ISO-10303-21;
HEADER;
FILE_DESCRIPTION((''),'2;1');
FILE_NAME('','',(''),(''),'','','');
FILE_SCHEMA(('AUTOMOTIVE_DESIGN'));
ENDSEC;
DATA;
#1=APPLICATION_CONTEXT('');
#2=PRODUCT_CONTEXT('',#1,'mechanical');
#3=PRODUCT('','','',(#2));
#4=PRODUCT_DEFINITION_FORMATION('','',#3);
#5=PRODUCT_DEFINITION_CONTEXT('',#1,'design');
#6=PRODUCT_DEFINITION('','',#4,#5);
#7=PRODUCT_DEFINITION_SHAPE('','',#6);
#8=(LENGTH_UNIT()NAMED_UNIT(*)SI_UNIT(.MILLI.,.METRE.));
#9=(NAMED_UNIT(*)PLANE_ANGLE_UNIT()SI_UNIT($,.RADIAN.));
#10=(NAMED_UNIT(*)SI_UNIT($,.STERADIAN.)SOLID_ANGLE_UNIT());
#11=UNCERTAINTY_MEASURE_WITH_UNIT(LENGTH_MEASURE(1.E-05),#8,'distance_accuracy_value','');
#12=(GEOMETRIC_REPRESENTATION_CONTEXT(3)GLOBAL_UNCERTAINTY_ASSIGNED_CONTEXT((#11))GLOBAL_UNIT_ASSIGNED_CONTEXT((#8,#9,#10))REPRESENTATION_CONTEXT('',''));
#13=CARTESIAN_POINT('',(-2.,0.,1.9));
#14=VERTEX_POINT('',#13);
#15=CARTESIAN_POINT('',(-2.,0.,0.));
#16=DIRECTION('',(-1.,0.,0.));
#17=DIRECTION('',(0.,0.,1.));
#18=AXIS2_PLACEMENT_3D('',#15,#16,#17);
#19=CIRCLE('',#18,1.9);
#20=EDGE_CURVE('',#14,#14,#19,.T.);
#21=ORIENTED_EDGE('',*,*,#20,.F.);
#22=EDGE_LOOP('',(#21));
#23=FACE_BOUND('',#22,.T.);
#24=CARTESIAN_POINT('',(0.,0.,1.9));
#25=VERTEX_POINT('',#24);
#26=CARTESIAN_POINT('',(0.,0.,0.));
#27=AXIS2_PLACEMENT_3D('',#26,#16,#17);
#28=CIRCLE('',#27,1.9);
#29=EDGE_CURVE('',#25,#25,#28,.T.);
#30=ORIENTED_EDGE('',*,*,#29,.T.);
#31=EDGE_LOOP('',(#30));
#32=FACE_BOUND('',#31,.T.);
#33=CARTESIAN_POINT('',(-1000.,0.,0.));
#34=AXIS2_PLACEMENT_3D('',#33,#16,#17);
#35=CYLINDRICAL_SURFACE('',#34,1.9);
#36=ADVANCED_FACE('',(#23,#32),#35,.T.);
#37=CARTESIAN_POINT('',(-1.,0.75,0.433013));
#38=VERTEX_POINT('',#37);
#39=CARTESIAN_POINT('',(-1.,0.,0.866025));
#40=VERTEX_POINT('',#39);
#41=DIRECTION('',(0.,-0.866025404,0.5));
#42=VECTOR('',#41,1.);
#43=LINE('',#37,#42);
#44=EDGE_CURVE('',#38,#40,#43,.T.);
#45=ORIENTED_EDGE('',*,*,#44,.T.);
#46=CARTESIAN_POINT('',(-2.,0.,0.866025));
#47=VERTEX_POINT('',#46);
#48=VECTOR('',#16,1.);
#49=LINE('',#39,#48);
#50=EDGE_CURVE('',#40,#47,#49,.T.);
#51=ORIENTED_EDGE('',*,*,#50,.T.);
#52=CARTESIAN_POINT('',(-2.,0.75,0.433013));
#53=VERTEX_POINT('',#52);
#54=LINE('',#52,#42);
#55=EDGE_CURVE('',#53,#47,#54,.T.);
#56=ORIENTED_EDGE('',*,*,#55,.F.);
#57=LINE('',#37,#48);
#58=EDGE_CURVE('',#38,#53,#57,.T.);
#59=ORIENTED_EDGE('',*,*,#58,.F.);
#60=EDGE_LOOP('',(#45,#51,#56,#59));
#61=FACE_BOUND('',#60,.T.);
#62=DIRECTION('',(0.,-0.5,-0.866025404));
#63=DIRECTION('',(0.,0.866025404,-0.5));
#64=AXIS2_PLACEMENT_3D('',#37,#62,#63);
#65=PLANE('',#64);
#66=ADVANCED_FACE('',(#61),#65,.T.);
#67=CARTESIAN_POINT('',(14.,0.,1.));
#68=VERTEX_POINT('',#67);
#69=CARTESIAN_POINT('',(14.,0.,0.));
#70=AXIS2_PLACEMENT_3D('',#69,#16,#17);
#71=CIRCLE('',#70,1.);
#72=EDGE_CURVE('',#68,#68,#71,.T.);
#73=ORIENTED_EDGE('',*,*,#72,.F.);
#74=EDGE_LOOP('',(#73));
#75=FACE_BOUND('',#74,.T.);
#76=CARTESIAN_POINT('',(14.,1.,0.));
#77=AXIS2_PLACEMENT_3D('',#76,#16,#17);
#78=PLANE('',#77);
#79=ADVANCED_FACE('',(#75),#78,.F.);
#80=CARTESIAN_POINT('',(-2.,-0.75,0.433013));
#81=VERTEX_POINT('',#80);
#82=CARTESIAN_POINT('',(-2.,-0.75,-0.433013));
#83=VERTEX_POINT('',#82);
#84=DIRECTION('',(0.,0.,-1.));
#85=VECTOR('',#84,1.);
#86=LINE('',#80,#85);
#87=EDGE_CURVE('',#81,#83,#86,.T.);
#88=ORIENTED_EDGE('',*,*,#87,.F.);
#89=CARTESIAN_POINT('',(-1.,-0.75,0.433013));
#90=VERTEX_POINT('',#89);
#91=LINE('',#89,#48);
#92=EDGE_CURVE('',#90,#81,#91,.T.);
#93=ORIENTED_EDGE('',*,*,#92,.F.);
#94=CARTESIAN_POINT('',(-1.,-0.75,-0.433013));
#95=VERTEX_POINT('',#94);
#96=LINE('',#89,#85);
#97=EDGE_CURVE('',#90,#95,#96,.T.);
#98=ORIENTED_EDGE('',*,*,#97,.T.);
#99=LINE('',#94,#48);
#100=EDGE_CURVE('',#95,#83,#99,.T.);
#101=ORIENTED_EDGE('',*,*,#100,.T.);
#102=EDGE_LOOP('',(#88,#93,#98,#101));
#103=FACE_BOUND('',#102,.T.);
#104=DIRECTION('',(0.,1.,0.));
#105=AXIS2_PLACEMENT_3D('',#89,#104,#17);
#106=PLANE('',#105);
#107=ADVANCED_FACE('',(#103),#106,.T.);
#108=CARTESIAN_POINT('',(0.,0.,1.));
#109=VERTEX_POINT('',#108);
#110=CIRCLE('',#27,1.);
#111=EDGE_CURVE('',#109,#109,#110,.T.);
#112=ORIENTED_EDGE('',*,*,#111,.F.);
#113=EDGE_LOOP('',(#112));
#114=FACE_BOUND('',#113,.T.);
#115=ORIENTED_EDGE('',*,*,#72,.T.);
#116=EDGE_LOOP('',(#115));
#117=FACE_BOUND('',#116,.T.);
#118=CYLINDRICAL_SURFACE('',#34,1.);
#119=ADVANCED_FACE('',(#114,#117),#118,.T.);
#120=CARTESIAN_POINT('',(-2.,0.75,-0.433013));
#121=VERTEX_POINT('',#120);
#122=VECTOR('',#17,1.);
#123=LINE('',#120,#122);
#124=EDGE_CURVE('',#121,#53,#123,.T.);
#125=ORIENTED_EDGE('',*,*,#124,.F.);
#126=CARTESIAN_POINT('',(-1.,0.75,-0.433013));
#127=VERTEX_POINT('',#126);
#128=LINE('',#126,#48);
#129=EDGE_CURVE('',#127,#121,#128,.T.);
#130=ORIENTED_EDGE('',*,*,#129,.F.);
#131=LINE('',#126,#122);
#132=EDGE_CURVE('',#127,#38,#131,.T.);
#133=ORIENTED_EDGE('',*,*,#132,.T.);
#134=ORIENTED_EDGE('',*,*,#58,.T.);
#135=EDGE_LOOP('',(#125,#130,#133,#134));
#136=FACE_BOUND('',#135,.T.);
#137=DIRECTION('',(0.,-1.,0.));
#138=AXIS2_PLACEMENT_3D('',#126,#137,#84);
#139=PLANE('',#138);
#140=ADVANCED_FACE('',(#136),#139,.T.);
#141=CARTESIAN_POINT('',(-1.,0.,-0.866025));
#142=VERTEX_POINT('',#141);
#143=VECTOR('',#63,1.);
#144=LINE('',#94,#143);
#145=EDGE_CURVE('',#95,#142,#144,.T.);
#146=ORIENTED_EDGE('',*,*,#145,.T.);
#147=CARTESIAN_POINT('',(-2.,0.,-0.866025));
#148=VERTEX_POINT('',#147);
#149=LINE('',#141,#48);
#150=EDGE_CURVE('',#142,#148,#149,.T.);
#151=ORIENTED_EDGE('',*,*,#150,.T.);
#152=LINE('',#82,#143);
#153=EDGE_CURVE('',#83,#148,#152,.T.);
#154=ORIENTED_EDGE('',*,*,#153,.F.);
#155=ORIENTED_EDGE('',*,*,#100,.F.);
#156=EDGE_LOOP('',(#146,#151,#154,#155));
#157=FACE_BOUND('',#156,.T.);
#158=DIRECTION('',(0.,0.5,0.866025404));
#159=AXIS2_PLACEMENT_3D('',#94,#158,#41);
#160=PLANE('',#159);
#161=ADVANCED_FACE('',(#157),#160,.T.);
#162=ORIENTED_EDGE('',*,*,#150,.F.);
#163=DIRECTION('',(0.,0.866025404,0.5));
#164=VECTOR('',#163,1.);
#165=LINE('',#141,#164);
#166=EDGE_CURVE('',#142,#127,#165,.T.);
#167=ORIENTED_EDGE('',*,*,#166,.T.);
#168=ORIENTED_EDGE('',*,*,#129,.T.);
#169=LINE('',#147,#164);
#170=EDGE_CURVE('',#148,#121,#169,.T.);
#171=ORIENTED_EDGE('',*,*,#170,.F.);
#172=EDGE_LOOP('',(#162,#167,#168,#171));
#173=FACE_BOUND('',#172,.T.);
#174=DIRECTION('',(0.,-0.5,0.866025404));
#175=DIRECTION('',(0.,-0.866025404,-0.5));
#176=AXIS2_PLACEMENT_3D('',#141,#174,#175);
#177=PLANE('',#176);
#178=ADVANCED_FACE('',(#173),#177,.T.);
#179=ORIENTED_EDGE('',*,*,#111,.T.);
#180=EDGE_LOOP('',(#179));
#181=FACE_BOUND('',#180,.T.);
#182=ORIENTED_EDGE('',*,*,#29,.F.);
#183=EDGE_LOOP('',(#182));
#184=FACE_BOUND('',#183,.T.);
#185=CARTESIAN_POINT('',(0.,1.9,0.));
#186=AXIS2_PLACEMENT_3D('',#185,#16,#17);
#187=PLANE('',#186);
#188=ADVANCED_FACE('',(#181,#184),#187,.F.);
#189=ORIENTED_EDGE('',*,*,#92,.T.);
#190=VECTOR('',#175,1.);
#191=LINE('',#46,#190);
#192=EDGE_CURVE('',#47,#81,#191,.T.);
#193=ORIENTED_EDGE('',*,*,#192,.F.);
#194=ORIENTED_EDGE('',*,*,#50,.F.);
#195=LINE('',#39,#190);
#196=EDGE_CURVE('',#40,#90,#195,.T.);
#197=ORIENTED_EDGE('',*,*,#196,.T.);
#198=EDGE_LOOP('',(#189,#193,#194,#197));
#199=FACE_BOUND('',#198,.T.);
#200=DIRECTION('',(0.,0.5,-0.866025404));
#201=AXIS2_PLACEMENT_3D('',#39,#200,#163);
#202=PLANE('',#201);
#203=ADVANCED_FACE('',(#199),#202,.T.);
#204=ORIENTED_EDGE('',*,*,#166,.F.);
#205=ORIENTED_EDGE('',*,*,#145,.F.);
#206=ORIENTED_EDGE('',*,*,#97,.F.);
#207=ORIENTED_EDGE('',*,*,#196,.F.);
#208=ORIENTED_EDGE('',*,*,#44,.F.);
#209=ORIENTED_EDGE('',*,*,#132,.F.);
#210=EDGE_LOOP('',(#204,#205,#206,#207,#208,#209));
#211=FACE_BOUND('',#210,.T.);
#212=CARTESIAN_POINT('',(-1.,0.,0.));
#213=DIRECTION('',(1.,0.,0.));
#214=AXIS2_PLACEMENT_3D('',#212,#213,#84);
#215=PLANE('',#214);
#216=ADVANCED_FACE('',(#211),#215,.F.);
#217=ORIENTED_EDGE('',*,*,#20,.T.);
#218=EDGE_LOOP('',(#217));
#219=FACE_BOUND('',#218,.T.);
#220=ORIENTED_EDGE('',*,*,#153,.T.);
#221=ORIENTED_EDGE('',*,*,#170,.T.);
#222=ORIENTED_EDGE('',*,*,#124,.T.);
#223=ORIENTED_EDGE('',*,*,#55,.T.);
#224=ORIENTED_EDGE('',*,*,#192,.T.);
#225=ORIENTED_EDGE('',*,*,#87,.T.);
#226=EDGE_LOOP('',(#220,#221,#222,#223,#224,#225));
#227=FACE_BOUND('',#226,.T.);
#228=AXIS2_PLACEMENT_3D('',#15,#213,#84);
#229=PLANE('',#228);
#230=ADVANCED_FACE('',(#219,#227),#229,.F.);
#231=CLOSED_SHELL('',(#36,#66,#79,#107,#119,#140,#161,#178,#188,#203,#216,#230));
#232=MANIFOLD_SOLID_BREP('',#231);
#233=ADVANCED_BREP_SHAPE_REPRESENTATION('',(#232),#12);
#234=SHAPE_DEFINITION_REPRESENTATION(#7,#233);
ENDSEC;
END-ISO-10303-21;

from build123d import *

# Parameters (mm, degrees)
SOCKET_DEPTH = 1


with BuildPart() as part:
    # Screw Sketch → Screw (revolve)
    with BuildSketch(Plane.XY):
        Polygon((-2, 0), (-2, 1.9), (0, 1.9), (0, 1), (14, 1), (14, 0), align=None)
    revolve(axis=Axis((-1000, 0, 0), (1, 0, 0)))

    # Socket Sketch → Socket (cut)
    with BuildSketch(Plane(origin=(-2, 0, 0), x_dir=(0, 0, -1), z_dir=(1, 0, 0))):
        Polygon((0.866025404, 0), (0.433012702, 0.75), (-0.433012702, 0.75), (-0.866025404, 0), (-0.433012702, -0.75), (0.433012702, -0.75), align=None)
    extrude(amount=SOCKET_DEPTH, mode=Mode.SUBTRACT)


solid = part.part
